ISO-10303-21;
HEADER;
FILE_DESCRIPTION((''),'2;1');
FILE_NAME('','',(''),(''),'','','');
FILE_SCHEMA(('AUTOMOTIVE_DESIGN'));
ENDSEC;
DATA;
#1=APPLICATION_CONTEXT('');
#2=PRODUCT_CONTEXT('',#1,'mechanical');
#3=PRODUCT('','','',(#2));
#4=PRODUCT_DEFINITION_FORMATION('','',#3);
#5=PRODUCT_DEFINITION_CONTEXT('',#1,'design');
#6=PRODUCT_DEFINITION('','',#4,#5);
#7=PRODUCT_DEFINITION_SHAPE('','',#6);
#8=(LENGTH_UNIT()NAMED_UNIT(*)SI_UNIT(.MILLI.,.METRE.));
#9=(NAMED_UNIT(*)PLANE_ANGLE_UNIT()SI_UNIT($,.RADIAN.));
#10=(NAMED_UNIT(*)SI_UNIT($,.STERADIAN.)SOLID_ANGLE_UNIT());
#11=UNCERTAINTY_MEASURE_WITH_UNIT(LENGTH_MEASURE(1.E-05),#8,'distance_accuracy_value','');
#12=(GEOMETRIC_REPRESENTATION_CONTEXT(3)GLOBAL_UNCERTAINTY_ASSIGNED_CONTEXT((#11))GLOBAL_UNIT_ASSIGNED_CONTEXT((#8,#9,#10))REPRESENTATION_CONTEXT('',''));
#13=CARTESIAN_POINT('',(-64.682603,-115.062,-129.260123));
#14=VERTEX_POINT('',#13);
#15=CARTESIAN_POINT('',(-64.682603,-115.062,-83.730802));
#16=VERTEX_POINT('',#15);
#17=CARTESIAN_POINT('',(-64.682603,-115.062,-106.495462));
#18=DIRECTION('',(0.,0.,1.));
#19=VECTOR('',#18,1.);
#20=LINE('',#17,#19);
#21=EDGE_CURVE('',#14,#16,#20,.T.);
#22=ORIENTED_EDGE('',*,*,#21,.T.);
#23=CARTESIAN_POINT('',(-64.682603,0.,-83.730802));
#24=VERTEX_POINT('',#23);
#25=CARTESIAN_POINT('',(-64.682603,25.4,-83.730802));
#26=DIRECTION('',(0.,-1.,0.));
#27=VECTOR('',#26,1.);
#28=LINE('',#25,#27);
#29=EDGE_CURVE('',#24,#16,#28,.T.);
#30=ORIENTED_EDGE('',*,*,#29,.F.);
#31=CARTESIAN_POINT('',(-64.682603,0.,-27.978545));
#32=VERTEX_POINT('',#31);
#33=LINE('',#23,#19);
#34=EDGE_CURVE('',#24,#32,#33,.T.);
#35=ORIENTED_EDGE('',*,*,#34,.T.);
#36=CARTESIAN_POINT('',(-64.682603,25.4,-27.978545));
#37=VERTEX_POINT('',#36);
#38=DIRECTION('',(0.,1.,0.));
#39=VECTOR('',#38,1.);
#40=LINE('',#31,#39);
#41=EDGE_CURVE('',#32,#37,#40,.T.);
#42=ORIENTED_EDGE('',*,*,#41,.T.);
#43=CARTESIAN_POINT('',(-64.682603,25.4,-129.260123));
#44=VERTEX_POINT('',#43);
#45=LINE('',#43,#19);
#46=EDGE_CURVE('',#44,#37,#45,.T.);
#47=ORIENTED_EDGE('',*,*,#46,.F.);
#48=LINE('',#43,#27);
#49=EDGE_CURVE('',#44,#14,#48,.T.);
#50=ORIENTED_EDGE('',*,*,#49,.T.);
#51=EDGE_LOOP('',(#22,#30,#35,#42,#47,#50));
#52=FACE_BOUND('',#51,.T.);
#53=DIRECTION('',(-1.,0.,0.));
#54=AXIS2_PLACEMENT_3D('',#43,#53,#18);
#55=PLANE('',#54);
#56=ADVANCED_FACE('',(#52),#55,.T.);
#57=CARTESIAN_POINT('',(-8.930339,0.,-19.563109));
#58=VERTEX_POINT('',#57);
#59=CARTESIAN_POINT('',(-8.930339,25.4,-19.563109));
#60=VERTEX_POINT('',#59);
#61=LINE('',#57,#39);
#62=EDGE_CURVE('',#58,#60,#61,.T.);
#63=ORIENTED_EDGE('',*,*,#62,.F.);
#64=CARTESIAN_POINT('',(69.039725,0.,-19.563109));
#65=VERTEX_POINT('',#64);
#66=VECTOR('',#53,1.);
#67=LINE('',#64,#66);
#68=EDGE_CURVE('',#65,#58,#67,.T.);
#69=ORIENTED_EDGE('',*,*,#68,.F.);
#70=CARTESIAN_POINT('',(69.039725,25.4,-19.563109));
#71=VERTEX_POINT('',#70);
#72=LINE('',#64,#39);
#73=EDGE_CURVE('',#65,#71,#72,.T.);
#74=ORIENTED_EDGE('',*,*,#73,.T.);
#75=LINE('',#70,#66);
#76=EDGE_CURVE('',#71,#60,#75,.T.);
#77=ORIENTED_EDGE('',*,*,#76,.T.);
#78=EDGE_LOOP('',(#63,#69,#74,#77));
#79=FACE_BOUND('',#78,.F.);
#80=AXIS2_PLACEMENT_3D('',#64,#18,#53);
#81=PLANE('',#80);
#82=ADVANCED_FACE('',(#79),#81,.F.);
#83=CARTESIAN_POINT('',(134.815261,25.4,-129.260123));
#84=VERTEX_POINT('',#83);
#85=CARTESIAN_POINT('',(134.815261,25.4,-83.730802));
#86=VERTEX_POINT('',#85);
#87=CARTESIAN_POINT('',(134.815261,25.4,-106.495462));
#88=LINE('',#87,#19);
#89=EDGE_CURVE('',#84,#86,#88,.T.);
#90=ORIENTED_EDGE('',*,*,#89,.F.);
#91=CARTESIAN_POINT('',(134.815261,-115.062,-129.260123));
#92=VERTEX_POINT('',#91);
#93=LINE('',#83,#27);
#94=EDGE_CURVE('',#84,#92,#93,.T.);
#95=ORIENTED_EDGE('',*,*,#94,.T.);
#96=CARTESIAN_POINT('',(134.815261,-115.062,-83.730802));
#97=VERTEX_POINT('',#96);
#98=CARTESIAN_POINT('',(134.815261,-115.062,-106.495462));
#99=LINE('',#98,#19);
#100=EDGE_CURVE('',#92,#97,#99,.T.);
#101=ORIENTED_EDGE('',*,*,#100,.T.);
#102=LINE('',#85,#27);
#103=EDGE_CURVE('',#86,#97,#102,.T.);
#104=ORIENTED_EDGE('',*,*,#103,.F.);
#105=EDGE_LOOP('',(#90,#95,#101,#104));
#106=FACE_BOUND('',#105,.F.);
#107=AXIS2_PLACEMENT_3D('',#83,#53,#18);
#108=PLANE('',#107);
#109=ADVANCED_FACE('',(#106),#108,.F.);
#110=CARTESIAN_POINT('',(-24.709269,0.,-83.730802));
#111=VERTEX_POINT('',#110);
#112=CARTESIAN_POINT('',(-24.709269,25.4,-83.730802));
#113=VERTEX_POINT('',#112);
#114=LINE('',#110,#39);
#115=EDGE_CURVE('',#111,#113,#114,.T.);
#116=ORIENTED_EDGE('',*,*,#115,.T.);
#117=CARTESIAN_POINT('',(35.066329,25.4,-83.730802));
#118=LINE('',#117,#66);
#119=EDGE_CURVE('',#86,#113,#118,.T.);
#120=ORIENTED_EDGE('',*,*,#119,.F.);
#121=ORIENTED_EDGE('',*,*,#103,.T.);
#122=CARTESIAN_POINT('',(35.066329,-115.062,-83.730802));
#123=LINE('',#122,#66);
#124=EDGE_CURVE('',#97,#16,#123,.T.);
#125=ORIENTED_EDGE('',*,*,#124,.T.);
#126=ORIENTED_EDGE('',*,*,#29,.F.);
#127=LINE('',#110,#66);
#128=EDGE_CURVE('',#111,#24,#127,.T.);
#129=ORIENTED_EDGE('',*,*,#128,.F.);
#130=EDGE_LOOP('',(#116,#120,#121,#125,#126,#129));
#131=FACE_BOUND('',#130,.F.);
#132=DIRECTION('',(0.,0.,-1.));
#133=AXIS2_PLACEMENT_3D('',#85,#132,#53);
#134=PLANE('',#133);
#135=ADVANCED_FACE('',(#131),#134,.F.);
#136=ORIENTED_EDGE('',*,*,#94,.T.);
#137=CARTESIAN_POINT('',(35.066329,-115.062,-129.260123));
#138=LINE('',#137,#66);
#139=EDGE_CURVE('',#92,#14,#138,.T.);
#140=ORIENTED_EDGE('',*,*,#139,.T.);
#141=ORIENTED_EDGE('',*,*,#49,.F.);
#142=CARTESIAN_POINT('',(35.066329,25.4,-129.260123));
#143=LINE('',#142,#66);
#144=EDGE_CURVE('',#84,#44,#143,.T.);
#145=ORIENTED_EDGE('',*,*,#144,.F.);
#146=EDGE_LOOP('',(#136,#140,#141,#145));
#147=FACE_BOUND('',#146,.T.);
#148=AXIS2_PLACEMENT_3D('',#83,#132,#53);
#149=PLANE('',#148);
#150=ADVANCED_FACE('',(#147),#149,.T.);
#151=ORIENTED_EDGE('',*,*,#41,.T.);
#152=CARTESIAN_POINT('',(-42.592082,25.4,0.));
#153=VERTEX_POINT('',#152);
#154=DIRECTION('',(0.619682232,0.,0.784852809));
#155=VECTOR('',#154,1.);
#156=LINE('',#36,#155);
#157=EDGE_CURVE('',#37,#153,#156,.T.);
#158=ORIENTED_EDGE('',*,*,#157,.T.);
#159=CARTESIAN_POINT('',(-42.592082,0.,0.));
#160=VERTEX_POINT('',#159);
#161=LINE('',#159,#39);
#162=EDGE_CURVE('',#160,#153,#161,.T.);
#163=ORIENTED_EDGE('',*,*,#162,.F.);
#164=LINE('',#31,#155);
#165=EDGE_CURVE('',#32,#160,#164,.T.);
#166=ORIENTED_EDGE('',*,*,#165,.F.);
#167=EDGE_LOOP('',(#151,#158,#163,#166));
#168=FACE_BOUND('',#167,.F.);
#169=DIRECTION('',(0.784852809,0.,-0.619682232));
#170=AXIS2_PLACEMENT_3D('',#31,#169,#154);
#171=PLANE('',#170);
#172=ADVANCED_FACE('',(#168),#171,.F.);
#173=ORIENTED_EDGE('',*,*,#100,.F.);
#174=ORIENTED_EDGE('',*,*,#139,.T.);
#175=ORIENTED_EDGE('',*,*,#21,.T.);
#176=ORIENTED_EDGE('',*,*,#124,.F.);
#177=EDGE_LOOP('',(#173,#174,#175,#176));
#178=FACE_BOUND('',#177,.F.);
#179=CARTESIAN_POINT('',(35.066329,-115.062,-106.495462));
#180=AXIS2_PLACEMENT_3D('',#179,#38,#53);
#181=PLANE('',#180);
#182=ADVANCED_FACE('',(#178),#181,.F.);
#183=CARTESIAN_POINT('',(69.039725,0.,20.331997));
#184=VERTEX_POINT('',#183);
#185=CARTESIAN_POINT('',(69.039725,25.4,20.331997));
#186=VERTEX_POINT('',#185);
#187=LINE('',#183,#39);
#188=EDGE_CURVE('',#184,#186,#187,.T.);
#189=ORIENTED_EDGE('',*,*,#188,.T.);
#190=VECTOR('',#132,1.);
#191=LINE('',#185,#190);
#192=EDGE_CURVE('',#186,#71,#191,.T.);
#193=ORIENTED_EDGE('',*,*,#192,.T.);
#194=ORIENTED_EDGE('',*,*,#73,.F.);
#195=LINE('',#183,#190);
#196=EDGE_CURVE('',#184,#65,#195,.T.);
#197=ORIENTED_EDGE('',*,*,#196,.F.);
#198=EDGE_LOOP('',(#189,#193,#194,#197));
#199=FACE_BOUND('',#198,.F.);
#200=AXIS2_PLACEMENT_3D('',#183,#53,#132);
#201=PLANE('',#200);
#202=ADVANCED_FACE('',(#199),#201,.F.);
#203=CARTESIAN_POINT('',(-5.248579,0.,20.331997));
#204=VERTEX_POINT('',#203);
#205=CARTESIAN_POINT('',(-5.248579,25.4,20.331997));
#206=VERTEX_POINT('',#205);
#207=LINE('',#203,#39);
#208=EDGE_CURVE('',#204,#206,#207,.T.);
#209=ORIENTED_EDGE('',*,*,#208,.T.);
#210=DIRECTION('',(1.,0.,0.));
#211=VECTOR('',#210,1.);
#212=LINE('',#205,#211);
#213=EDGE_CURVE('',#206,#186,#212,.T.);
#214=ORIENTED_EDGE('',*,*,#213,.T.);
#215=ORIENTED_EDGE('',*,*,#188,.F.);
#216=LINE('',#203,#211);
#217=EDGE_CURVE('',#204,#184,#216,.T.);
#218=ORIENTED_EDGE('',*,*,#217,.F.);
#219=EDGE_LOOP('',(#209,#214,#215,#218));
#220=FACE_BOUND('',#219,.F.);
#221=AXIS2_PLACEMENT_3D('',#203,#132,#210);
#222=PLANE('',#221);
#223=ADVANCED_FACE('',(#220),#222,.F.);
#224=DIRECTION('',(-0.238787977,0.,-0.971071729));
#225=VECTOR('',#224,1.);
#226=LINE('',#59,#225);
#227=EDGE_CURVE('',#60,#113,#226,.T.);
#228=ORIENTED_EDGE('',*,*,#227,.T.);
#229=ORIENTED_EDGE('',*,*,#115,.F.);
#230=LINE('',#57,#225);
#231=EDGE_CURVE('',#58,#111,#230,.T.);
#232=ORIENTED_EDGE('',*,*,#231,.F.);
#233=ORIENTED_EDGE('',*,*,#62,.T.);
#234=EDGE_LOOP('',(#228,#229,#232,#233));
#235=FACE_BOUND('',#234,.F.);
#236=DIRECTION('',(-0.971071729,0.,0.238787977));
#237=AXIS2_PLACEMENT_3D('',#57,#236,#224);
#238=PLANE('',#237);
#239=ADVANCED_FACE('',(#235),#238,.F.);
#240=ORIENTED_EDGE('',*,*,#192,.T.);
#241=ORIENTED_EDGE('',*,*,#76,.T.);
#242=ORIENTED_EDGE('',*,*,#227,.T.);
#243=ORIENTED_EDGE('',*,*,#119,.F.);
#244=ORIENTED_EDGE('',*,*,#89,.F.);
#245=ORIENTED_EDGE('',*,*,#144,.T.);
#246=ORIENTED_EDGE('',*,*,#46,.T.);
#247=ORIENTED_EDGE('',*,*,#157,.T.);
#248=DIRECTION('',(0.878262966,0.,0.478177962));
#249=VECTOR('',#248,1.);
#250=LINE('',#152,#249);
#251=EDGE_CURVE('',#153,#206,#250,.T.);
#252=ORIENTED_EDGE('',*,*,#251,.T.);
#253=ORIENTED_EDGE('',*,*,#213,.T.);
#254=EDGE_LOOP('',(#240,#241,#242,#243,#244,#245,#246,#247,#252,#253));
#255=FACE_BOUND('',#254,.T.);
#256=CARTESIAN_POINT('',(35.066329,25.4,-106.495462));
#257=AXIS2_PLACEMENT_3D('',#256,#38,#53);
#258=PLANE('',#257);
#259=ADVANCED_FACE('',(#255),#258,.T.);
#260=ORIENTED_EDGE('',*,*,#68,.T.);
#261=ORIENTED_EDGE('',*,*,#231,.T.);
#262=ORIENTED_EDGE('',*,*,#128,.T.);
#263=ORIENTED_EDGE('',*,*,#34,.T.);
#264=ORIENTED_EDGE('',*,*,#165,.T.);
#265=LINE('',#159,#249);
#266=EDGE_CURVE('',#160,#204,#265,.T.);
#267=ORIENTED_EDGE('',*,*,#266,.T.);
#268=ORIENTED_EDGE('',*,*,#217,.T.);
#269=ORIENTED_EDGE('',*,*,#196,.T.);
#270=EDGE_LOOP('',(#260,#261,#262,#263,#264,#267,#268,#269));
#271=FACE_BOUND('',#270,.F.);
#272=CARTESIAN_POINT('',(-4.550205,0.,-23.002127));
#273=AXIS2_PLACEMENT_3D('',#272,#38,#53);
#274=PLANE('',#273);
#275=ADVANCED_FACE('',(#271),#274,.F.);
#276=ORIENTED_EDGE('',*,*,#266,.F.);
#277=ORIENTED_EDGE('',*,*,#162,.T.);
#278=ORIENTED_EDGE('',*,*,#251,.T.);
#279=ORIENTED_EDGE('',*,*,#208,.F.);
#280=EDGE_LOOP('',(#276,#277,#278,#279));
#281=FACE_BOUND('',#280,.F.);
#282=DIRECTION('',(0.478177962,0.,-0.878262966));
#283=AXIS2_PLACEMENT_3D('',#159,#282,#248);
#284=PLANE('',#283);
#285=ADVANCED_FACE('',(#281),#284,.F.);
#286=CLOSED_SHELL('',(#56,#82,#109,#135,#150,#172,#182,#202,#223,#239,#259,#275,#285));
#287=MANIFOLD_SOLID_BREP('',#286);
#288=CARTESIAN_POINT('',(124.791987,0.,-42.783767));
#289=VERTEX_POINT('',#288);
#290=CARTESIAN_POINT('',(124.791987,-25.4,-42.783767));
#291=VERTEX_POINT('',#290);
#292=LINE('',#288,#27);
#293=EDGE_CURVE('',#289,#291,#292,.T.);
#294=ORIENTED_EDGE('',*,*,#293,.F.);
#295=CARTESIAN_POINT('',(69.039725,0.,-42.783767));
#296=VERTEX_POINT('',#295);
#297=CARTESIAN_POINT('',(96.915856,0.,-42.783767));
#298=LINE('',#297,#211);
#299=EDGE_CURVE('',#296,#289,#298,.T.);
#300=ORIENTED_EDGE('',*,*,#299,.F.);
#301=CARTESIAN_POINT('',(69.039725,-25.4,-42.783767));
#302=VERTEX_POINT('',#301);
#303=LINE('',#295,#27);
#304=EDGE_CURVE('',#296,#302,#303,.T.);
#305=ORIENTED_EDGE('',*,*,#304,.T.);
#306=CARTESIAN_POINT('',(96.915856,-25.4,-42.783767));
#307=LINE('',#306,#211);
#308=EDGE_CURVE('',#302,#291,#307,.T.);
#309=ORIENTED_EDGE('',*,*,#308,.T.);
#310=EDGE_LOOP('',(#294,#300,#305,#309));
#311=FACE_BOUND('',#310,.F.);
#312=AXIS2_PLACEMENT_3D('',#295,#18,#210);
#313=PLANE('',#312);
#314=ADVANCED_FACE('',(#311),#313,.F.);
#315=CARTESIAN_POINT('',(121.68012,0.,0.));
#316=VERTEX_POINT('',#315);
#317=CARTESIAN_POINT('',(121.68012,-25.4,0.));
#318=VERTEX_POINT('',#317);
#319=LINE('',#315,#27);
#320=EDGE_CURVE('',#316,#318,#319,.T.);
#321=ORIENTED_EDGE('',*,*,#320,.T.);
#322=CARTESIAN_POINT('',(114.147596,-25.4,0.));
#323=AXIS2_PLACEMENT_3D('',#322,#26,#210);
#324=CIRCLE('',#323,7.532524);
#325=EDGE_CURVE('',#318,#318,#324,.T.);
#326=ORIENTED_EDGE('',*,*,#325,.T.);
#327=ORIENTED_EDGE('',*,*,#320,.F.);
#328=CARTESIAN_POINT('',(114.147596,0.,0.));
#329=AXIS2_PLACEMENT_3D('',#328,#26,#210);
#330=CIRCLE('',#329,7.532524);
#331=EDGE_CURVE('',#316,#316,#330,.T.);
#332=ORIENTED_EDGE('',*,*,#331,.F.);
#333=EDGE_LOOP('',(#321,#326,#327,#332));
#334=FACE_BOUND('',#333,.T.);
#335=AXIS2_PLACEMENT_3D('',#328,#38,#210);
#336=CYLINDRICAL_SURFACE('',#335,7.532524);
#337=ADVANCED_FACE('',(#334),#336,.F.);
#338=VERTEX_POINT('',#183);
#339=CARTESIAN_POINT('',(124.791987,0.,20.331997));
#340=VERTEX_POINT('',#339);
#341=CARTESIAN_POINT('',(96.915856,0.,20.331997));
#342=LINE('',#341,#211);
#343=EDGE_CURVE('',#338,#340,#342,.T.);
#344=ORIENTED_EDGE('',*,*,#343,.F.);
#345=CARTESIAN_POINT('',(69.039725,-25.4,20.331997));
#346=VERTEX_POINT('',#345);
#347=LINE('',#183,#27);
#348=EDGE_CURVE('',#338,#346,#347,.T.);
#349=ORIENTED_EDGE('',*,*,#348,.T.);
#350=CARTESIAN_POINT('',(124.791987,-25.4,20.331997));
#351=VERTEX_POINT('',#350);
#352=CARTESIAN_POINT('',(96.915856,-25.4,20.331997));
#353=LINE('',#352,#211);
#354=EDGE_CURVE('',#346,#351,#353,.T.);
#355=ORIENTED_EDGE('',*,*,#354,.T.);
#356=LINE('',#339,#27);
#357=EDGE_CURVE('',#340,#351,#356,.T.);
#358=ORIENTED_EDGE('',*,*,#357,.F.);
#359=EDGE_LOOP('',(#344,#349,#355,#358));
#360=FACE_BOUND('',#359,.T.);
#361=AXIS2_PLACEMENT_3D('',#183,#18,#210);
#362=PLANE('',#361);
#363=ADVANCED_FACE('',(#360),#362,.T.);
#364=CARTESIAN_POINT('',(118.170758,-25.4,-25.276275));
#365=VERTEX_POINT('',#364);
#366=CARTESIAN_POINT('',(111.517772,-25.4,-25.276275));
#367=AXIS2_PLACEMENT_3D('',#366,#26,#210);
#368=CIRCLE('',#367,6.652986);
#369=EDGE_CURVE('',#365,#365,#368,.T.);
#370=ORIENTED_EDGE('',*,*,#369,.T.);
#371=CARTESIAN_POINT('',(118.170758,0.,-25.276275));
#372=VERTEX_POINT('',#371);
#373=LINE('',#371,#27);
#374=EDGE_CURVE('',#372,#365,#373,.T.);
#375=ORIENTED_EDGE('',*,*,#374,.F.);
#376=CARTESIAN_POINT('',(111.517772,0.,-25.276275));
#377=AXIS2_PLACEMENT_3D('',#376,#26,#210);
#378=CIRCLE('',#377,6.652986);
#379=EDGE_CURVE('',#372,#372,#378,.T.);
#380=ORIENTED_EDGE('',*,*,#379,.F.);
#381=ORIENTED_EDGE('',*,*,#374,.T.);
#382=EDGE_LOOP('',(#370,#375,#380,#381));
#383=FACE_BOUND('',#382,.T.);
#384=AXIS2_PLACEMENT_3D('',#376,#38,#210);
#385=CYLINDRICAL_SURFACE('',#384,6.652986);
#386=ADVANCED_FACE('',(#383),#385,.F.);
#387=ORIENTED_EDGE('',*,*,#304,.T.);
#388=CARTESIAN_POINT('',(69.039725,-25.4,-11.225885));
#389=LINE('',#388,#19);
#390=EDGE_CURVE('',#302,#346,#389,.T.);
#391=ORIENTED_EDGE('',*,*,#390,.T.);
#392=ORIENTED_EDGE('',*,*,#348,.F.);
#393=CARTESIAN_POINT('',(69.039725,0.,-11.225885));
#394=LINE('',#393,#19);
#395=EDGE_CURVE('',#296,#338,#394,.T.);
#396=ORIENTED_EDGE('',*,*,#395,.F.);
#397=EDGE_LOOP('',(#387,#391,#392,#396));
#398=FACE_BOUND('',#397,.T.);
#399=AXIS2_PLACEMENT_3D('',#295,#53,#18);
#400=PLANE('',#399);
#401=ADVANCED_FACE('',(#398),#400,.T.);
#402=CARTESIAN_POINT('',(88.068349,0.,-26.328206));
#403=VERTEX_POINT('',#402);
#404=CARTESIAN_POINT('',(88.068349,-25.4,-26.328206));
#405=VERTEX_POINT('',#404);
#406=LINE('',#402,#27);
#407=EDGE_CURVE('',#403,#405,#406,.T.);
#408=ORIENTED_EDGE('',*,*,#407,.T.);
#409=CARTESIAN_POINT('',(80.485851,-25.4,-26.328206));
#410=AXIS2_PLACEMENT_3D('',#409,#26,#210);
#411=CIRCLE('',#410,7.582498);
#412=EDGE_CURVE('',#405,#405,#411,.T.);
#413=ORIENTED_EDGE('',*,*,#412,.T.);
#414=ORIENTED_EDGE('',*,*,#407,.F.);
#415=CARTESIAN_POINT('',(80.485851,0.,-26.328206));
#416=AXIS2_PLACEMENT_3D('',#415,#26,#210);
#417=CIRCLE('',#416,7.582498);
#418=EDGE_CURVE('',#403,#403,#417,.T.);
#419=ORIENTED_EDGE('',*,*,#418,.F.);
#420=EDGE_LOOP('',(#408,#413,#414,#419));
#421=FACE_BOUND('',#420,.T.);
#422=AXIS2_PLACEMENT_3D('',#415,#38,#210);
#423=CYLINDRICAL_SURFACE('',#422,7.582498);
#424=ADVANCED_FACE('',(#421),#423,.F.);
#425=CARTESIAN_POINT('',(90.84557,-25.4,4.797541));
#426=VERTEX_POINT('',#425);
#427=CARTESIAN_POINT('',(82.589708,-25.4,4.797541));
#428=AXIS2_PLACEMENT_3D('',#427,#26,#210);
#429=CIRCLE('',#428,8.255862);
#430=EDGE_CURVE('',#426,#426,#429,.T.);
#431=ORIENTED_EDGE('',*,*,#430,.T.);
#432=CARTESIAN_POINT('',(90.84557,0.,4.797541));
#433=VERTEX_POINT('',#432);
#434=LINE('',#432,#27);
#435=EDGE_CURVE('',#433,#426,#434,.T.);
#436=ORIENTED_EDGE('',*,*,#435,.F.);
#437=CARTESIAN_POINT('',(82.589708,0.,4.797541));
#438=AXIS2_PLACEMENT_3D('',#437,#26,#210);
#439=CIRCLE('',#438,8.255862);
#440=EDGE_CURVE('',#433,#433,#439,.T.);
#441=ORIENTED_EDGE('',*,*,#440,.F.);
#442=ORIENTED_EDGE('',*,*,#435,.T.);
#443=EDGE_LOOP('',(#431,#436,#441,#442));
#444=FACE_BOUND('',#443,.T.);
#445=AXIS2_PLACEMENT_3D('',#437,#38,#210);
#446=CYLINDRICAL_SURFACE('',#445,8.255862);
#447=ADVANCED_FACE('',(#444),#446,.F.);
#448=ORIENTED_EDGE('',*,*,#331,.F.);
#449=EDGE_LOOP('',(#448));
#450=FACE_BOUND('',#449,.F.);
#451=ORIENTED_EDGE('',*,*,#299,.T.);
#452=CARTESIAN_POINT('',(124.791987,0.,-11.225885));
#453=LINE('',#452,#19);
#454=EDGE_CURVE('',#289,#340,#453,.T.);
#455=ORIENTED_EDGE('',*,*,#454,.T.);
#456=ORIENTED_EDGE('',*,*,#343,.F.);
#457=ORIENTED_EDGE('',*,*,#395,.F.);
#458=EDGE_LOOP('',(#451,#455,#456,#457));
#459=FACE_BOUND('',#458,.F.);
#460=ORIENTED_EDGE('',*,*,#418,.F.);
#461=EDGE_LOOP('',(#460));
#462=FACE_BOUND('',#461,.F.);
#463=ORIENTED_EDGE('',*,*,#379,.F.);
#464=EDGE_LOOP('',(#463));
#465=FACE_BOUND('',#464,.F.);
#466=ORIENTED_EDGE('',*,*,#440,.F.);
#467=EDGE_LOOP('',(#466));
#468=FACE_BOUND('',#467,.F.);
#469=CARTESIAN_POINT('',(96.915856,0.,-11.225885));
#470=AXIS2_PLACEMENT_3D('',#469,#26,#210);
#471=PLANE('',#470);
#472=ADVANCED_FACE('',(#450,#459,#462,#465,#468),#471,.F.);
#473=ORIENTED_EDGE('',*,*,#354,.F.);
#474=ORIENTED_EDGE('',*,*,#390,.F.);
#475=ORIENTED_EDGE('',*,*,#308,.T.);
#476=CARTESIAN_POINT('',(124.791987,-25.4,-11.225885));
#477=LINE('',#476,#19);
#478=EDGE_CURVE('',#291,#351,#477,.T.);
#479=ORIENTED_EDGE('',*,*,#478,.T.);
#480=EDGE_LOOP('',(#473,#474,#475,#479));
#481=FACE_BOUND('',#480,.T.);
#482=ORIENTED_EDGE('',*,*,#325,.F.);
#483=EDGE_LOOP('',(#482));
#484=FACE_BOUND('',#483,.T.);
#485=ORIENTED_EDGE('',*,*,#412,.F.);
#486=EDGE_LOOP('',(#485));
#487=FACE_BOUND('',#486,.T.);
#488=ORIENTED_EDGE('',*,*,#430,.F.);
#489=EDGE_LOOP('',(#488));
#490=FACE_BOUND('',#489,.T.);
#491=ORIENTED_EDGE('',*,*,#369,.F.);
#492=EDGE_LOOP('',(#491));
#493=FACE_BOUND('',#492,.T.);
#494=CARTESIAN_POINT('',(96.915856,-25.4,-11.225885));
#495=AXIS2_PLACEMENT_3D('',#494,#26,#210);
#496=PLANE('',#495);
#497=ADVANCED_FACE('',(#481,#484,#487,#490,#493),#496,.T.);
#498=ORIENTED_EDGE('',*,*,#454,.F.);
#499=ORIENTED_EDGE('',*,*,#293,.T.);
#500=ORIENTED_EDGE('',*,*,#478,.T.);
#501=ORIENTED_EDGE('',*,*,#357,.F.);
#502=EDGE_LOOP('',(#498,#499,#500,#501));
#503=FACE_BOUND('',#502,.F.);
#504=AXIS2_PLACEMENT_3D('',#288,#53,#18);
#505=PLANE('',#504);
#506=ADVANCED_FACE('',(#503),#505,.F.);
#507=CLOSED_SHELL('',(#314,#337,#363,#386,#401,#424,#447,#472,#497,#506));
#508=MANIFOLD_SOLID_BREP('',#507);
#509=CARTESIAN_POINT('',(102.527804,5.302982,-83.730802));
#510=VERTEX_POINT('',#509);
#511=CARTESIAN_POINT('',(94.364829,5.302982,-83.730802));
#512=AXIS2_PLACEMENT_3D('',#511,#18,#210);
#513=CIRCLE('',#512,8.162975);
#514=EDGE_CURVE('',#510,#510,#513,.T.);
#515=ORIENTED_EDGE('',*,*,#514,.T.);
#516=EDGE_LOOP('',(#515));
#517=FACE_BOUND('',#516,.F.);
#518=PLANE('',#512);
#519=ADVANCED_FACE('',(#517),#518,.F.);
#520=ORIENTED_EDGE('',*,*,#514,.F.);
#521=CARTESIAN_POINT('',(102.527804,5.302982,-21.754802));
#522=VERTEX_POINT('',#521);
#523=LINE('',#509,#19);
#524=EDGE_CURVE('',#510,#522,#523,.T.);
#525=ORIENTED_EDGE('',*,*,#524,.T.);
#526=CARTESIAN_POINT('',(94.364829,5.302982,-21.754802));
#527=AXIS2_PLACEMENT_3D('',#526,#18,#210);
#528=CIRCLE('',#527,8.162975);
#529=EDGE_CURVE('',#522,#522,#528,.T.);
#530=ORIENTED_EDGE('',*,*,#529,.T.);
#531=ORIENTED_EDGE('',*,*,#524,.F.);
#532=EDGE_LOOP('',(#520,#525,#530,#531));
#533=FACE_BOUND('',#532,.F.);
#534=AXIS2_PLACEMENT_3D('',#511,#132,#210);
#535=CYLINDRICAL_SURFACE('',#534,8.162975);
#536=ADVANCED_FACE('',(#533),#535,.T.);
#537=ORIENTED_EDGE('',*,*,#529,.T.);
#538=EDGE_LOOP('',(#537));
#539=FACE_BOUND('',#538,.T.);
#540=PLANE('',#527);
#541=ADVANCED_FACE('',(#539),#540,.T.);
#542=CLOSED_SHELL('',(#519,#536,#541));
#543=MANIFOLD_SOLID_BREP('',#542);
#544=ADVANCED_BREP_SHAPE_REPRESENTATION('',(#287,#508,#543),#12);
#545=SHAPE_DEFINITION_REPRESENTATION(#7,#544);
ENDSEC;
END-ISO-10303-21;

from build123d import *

# Parameters (mm, degrees)
F0_W     = 55.7522624731
F0_H     = 63.1157644093
F0_R     = 7.5824980314
F0_R_2   = 6.6529863156
F0_R_3   = 8.2558617759
F0_R_4   = 7.5325242752
F1_DEPTH = 25.4
F3_DEPTH = 25.4
F4_W     = 199.4978636503
F4_H     = 45.5293208361
F5_DEPTH = 140.462
F6_R     = 8.1629746205
F7_DEPTH = 61.976


with BuildPart() as f1:
    # F0 (on Front) → F1 (new body)
    with BuildSketch(Plane.XZ):
        with Locations((96.9158560038, -11.2258847803)):
            Rectangle(F0_W, F0_H)
        with Locations((80.4858505726, -26.3282060623)):
            Circle(F0_R, mode=Mode.SUBTRACT)
        with Locations((111.5177720785, -25.2762753516)):
            Circle(F0_R_2, mode=Mode.SUBTRACT)
        with Locations((82.5897082686, 4.7975406051)):
            Circle(F0_R_3, mode=Mode.SUBTRACT)
        with Locations((114.1475960612, 0)):
            Circle(F0_R_4, mode=Mode.SUBTRACT)
    extrude(amount=F1_DEPTH)


with BuildPart() as f3:
    # F2 (on face) → F3 (new body)
    with BuildSketch(Plane(origin=(0, 0, 0), x_dir=(-1, 0, 0), z_dir=(0, 1, 0))):
        Polygon((5.248578731, 20.3319974244), (-69.0397247672, 20.3319974244), (-69.0397247672, -19.5631086826), (8.9303385466, -19.5631086826), (24.7092694044, -83.73080194), (64.6826028824, -83.73080194), (64.6826028824, -67.9518580437), (64.6826028824, -27.9785450548), (42.5920821726, 0), align=None)
    extrude(amount=F3_DEPTH)

    # F4 (on face) → F5 (join)
    with BuildSketch(Plane(origin=(0, 25.4, 0), x_dir=(-1, 0, 0), z_dir=(0, 1, 0))):
        with Locations((-35.0663289428, -106.495462358)):
            Rectangle(F4_W, F4_H)
    extrude(amount=-F5_DEPTH)


with BuildPart() as f7:
    # F6 (on face) → F7 (new body)
    with BuildSketch(Plane.XY.offset(-83.73080194)):
        with Locations((94.3648293614, 5.3029819392)):
            Circle(F6_R)
    extrude(amount=F7_DEPTH)


solid = Compound([f1.part, f3.part, f7.part])
